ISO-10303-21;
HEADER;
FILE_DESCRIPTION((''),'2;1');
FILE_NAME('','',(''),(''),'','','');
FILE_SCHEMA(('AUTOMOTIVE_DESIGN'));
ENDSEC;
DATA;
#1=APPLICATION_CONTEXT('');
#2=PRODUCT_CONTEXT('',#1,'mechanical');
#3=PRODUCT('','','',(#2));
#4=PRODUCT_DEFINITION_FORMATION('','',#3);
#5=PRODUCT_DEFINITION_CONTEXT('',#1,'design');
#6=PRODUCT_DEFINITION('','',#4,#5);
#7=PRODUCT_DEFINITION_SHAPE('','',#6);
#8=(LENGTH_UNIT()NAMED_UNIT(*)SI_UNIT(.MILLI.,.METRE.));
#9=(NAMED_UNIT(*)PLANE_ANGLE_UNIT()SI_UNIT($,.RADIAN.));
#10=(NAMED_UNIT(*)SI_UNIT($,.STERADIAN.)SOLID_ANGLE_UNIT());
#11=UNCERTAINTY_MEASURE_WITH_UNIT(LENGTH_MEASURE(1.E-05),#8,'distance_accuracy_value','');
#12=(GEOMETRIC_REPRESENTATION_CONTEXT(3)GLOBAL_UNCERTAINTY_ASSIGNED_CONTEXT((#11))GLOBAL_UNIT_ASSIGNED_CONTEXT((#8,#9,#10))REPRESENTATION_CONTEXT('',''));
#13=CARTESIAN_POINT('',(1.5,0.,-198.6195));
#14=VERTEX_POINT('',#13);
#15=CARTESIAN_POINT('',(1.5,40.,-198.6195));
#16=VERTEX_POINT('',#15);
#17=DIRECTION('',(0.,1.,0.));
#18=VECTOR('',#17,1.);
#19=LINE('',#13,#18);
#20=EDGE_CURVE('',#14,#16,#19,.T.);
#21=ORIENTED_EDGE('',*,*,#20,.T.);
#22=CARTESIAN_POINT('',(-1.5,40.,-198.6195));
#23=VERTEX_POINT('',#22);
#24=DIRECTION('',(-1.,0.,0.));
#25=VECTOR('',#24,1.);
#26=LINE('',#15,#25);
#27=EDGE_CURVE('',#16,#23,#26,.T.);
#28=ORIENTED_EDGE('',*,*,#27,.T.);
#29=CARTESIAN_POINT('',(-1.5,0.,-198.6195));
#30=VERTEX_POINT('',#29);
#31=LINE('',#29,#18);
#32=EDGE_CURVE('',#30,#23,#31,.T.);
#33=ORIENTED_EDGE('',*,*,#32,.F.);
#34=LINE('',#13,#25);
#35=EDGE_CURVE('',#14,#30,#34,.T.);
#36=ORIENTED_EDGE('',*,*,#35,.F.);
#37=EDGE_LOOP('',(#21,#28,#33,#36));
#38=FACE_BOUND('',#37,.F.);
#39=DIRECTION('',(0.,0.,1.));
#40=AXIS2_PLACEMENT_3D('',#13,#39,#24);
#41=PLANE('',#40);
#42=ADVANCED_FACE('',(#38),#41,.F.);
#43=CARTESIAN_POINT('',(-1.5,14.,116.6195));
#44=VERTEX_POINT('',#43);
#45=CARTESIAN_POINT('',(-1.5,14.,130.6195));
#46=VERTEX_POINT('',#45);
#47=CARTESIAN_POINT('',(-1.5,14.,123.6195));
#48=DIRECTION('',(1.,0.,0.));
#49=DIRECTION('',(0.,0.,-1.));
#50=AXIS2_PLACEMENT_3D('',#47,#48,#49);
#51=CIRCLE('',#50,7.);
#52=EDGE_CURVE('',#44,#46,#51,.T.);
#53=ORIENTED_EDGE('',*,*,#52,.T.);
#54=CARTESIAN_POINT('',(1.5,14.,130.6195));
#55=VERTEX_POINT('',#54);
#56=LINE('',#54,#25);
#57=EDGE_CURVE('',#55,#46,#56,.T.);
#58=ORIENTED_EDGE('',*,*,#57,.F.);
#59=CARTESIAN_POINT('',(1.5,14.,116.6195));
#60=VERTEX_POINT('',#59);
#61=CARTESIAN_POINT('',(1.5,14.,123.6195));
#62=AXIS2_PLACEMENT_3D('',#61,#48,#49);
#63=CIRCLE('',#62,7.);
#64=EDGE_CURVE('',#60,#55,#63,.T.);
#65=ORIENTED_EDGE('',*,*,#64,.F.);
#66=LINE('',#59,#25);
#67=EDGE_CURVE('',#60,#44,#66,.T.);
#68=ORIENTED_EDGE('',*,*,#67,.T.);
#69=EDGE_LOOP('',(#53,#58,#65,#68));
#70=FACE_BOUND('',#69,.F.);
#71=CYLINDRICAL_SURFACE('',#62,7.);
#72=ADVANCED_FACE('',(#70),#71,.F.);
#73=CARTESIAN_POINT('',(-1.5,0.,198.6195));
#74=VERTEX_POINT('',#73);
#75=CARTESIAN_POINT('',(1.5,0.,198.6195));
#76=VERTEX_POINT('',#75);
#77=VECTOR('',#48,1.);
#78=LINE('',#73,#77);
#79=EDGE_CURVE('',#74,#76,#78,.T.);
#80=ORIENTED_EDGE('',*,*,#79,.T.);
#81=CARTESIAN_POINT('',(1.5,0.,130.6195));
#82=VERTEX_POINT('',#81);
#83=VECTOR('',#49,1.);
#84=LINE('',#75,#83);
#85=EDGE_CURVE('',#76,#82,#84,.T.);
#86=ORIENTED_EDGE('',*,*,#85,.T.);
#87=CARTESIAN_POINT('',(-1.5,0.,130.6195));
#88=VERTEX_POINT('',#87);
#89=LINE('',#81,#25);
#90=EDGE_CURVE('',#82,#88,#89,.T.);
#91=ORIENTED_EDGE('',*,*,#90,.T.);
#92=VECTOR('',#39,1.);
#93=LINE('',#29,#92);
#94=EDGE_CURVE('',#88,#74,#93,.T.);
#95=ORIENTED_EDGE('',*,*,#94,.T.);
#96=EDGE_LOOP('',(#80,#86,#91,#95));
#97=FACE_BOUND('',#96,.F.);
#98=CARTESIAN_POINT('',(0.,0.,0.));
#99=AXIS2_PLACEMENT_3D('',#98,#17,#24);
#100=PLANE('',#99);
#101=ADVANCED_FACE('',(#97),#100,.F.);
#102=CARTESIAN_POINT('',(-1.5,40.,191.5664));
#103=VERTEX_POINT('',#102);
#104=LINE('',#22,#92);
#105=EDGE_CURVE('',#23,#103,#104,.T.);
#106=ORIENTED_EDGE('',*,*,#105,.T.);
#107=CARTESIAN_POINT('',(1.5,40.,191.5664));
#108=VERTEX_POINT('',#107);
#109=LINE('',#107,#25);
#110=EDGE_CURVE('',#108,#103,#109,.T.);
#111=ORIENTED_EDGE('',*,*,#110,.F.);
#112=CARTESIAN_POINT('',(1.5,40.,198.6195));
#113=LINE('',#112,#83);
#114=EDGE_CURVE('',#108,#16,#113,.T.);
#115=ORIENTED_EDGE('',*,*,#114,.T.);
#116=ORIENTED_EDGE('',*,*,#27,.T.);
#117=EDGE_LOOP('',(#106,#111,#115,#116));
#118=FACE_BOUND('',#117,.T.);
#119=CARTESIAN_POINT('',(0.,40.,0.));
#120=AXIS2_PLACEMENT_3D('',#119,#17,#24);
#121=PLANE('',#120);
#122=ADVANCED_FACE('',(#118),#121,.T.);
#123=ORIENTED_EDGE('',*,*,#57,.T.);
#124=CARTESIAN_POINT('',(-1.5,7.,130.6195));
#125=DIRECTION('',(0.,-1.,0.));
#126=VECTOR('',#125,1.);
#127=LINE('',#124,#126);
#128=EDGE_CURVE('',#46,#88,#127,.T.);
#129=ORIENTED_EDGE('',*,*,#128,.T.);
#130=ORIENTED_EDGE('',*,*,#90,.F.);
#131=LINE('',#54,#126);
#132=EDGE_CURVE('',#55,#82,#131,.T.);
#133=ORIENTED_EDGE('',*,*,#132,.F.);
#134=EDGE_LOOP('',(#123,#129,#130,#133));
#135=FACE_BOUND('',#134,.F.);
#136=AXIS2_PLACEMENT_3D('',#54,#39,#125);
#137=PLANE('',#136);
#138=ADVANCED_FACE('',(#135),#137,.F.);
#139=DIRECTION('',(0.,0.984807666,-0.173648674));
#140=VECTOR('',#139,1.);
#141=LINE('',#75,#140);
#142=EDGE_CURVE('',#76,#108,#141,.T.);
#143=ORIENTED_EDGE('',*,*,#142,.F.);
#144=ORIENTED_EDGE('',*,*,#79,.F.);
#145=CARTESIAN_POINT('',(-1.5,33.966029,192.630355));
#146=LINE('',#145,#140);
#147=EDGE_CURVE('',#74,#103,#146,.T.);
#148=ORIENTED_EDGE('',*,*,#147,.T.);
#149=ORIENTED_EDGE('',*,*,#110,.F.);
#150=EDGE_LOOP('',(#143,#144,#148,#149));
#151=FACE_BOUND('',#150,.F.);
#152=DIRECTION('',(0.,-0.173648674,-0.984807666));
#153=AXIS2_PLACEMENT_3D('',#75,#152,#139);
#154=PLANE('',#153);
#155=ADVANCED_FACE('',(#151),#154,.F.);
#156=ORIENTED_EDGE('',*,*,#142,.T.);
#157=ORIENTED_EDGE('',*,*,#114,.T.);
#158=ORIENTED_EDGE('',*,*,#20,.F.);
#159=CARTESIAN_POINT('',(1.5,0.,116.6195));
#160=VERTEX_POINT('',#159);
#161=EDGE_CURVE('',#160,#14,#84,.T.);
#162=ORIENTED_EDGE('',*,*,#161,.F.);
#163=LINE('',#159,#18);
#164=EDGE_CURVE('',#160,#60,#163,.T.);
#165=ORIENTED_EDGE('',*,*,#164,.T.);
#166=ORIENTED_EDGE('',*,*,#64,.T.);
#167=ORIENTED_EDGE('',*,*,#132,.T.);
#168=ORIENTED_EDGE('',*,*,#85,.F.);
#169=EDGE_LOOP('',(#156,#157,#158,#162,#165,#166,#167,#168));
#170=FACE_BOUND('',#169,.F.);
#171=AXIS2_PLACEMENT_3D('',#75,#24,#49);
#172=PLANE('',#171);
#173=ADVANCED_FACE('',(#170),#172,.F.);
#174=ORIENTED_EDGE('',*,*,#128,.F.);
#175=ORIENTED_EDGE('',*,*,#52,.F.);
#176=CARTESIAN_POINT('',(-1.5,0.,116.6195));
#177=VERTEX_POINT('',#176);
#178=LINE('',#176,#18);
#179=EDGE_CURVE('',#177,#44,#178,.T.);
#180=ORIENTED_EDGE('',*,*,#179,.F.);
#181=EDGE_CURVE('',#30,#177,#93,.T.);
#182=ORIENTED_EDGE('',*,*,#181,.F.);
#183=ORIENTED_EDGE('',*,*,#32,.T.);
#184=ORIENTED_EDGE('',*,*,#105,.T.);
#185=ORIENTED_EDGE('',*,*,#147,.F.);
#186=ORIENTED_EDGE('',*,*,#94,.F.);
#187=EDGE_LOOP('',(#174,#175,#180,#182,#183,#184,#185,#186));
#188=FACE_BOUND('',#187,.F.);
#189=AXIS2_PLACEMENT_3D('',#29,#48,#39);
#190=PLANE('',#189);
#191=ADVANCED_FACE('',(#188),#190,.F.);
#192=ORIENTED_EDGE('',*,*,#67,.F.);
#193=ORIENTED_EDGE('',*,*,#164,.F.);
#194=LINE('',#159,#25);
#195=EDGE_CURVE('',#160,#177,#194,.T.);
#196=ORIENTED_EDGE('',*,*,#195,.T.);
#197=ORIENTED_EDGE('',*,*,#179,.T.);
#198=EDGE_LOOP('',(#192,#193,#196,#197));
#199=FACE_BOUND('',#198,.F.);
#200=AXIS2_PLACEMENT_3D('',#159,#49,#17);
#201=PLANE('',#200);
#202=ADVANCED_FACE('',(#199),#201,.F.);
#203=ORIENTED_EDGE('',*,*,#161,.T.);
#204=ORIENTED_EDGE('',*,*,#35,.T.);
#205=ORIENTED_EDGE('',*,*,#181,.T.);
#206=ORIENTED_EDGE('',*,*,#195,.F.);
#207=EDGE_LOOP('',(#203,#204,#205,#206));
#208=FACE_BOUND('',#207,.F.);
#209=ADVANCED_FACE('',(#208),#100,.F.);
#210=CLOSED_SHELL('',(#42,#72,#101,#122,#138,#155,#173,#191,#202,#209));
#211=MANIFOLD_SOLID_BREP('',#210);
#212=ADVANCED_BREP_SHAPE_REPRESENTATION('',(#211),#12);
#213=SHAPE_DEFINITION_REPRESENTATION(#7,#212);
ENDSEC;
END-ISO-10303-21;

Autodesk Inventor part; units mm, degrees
ref_plane "YZ Plane" through (0, 0, 0) normal (1, 0, 0) x (0, 1, 0)
ref_plane "XZ Plane" through (0, 0, 0) normal (0, 1, 0) x (-1, 0, 0)
ref_plane "XY Plane" through (0, 0, 0) normal (0, 0, 1) x (1, 0, 0)
sketch "Sketch2" plane through (0, 0, 0) normal (0, 1, 0) x (-1, 0, 0)
  line L0 (-1.5, -198.6195) -> (1.5, -198.6195)
  line L1 (1.5, -198.6195) -> (1.5, 198.6195)
  line L2 (1.5, 198.6195) -> (-1.5, 198.6195)
  line L3 (-1.5, 198.6195) -> (-1.5, -198.6195)
  line L4 (-1.5, -198.6195) -> (1.5, 198.6195) construction
  line L5 (1.5, -198.6195) -> (-1.5, 198.6195) construction
  point P0 (0, 0)
  dimension "d0" = 3
  dimension "d1" = 397.239
extrude "Extrusion1" add sketch "Sketch2" along normal blind 40
sketch "Sketch3" plane through (1.5, 0, 198.6195) normal (1, 0, 0) x (0, 0, -1)
  line L0 (397.239, 0) -> (0, 0) projected
  line L1 (68, 0) -> (82, 0)
  line L2 (82, 0) -> (82, 14)
  line L3 (68, 14) -> (68, 0)
  arc A0 (82, 14) -> (68, 14) centre (75, 14) ccw
  arc A1 (68, 14) -> (82, 14) centre (75, 14) ccw construction
  line L4 (0, 0) -> (0, 40) projected
  point P0 (198.6195, 0)
  dimension "d4" = 14
  dimension "d5" = 14
  dimension "d6" = 14
  dimension "d9" = 75
extrude "Extrusion2" cut sketch "Sketch3" against normal through all
sketch "Sketch4" plane through (1.5, 0, -198.6195) normal (1, 0, 0) x (0, 0, -1)
  line L0 (-329.239, 0) -> (-397.239, 0) projected
  line L1 (-397.239, 0) -> (-397.239, 40) projected
  line L2 (-397.239, 0) -> (-397.239, 40)
  line L3 (-397.239, 40) -> (-390.1859, 40)
  line L4 (-397.239, 40) -> (0, 40) projected
  line L5 (-397.239, 0) -> (-390.1859, 40)
  point P0 (-198.6195, 0)
  dimension "d10" = 10
extrude "Extrusion3" cut sketch "Sketch4" against normal through all
properties part number "wall-inner-plunger"
